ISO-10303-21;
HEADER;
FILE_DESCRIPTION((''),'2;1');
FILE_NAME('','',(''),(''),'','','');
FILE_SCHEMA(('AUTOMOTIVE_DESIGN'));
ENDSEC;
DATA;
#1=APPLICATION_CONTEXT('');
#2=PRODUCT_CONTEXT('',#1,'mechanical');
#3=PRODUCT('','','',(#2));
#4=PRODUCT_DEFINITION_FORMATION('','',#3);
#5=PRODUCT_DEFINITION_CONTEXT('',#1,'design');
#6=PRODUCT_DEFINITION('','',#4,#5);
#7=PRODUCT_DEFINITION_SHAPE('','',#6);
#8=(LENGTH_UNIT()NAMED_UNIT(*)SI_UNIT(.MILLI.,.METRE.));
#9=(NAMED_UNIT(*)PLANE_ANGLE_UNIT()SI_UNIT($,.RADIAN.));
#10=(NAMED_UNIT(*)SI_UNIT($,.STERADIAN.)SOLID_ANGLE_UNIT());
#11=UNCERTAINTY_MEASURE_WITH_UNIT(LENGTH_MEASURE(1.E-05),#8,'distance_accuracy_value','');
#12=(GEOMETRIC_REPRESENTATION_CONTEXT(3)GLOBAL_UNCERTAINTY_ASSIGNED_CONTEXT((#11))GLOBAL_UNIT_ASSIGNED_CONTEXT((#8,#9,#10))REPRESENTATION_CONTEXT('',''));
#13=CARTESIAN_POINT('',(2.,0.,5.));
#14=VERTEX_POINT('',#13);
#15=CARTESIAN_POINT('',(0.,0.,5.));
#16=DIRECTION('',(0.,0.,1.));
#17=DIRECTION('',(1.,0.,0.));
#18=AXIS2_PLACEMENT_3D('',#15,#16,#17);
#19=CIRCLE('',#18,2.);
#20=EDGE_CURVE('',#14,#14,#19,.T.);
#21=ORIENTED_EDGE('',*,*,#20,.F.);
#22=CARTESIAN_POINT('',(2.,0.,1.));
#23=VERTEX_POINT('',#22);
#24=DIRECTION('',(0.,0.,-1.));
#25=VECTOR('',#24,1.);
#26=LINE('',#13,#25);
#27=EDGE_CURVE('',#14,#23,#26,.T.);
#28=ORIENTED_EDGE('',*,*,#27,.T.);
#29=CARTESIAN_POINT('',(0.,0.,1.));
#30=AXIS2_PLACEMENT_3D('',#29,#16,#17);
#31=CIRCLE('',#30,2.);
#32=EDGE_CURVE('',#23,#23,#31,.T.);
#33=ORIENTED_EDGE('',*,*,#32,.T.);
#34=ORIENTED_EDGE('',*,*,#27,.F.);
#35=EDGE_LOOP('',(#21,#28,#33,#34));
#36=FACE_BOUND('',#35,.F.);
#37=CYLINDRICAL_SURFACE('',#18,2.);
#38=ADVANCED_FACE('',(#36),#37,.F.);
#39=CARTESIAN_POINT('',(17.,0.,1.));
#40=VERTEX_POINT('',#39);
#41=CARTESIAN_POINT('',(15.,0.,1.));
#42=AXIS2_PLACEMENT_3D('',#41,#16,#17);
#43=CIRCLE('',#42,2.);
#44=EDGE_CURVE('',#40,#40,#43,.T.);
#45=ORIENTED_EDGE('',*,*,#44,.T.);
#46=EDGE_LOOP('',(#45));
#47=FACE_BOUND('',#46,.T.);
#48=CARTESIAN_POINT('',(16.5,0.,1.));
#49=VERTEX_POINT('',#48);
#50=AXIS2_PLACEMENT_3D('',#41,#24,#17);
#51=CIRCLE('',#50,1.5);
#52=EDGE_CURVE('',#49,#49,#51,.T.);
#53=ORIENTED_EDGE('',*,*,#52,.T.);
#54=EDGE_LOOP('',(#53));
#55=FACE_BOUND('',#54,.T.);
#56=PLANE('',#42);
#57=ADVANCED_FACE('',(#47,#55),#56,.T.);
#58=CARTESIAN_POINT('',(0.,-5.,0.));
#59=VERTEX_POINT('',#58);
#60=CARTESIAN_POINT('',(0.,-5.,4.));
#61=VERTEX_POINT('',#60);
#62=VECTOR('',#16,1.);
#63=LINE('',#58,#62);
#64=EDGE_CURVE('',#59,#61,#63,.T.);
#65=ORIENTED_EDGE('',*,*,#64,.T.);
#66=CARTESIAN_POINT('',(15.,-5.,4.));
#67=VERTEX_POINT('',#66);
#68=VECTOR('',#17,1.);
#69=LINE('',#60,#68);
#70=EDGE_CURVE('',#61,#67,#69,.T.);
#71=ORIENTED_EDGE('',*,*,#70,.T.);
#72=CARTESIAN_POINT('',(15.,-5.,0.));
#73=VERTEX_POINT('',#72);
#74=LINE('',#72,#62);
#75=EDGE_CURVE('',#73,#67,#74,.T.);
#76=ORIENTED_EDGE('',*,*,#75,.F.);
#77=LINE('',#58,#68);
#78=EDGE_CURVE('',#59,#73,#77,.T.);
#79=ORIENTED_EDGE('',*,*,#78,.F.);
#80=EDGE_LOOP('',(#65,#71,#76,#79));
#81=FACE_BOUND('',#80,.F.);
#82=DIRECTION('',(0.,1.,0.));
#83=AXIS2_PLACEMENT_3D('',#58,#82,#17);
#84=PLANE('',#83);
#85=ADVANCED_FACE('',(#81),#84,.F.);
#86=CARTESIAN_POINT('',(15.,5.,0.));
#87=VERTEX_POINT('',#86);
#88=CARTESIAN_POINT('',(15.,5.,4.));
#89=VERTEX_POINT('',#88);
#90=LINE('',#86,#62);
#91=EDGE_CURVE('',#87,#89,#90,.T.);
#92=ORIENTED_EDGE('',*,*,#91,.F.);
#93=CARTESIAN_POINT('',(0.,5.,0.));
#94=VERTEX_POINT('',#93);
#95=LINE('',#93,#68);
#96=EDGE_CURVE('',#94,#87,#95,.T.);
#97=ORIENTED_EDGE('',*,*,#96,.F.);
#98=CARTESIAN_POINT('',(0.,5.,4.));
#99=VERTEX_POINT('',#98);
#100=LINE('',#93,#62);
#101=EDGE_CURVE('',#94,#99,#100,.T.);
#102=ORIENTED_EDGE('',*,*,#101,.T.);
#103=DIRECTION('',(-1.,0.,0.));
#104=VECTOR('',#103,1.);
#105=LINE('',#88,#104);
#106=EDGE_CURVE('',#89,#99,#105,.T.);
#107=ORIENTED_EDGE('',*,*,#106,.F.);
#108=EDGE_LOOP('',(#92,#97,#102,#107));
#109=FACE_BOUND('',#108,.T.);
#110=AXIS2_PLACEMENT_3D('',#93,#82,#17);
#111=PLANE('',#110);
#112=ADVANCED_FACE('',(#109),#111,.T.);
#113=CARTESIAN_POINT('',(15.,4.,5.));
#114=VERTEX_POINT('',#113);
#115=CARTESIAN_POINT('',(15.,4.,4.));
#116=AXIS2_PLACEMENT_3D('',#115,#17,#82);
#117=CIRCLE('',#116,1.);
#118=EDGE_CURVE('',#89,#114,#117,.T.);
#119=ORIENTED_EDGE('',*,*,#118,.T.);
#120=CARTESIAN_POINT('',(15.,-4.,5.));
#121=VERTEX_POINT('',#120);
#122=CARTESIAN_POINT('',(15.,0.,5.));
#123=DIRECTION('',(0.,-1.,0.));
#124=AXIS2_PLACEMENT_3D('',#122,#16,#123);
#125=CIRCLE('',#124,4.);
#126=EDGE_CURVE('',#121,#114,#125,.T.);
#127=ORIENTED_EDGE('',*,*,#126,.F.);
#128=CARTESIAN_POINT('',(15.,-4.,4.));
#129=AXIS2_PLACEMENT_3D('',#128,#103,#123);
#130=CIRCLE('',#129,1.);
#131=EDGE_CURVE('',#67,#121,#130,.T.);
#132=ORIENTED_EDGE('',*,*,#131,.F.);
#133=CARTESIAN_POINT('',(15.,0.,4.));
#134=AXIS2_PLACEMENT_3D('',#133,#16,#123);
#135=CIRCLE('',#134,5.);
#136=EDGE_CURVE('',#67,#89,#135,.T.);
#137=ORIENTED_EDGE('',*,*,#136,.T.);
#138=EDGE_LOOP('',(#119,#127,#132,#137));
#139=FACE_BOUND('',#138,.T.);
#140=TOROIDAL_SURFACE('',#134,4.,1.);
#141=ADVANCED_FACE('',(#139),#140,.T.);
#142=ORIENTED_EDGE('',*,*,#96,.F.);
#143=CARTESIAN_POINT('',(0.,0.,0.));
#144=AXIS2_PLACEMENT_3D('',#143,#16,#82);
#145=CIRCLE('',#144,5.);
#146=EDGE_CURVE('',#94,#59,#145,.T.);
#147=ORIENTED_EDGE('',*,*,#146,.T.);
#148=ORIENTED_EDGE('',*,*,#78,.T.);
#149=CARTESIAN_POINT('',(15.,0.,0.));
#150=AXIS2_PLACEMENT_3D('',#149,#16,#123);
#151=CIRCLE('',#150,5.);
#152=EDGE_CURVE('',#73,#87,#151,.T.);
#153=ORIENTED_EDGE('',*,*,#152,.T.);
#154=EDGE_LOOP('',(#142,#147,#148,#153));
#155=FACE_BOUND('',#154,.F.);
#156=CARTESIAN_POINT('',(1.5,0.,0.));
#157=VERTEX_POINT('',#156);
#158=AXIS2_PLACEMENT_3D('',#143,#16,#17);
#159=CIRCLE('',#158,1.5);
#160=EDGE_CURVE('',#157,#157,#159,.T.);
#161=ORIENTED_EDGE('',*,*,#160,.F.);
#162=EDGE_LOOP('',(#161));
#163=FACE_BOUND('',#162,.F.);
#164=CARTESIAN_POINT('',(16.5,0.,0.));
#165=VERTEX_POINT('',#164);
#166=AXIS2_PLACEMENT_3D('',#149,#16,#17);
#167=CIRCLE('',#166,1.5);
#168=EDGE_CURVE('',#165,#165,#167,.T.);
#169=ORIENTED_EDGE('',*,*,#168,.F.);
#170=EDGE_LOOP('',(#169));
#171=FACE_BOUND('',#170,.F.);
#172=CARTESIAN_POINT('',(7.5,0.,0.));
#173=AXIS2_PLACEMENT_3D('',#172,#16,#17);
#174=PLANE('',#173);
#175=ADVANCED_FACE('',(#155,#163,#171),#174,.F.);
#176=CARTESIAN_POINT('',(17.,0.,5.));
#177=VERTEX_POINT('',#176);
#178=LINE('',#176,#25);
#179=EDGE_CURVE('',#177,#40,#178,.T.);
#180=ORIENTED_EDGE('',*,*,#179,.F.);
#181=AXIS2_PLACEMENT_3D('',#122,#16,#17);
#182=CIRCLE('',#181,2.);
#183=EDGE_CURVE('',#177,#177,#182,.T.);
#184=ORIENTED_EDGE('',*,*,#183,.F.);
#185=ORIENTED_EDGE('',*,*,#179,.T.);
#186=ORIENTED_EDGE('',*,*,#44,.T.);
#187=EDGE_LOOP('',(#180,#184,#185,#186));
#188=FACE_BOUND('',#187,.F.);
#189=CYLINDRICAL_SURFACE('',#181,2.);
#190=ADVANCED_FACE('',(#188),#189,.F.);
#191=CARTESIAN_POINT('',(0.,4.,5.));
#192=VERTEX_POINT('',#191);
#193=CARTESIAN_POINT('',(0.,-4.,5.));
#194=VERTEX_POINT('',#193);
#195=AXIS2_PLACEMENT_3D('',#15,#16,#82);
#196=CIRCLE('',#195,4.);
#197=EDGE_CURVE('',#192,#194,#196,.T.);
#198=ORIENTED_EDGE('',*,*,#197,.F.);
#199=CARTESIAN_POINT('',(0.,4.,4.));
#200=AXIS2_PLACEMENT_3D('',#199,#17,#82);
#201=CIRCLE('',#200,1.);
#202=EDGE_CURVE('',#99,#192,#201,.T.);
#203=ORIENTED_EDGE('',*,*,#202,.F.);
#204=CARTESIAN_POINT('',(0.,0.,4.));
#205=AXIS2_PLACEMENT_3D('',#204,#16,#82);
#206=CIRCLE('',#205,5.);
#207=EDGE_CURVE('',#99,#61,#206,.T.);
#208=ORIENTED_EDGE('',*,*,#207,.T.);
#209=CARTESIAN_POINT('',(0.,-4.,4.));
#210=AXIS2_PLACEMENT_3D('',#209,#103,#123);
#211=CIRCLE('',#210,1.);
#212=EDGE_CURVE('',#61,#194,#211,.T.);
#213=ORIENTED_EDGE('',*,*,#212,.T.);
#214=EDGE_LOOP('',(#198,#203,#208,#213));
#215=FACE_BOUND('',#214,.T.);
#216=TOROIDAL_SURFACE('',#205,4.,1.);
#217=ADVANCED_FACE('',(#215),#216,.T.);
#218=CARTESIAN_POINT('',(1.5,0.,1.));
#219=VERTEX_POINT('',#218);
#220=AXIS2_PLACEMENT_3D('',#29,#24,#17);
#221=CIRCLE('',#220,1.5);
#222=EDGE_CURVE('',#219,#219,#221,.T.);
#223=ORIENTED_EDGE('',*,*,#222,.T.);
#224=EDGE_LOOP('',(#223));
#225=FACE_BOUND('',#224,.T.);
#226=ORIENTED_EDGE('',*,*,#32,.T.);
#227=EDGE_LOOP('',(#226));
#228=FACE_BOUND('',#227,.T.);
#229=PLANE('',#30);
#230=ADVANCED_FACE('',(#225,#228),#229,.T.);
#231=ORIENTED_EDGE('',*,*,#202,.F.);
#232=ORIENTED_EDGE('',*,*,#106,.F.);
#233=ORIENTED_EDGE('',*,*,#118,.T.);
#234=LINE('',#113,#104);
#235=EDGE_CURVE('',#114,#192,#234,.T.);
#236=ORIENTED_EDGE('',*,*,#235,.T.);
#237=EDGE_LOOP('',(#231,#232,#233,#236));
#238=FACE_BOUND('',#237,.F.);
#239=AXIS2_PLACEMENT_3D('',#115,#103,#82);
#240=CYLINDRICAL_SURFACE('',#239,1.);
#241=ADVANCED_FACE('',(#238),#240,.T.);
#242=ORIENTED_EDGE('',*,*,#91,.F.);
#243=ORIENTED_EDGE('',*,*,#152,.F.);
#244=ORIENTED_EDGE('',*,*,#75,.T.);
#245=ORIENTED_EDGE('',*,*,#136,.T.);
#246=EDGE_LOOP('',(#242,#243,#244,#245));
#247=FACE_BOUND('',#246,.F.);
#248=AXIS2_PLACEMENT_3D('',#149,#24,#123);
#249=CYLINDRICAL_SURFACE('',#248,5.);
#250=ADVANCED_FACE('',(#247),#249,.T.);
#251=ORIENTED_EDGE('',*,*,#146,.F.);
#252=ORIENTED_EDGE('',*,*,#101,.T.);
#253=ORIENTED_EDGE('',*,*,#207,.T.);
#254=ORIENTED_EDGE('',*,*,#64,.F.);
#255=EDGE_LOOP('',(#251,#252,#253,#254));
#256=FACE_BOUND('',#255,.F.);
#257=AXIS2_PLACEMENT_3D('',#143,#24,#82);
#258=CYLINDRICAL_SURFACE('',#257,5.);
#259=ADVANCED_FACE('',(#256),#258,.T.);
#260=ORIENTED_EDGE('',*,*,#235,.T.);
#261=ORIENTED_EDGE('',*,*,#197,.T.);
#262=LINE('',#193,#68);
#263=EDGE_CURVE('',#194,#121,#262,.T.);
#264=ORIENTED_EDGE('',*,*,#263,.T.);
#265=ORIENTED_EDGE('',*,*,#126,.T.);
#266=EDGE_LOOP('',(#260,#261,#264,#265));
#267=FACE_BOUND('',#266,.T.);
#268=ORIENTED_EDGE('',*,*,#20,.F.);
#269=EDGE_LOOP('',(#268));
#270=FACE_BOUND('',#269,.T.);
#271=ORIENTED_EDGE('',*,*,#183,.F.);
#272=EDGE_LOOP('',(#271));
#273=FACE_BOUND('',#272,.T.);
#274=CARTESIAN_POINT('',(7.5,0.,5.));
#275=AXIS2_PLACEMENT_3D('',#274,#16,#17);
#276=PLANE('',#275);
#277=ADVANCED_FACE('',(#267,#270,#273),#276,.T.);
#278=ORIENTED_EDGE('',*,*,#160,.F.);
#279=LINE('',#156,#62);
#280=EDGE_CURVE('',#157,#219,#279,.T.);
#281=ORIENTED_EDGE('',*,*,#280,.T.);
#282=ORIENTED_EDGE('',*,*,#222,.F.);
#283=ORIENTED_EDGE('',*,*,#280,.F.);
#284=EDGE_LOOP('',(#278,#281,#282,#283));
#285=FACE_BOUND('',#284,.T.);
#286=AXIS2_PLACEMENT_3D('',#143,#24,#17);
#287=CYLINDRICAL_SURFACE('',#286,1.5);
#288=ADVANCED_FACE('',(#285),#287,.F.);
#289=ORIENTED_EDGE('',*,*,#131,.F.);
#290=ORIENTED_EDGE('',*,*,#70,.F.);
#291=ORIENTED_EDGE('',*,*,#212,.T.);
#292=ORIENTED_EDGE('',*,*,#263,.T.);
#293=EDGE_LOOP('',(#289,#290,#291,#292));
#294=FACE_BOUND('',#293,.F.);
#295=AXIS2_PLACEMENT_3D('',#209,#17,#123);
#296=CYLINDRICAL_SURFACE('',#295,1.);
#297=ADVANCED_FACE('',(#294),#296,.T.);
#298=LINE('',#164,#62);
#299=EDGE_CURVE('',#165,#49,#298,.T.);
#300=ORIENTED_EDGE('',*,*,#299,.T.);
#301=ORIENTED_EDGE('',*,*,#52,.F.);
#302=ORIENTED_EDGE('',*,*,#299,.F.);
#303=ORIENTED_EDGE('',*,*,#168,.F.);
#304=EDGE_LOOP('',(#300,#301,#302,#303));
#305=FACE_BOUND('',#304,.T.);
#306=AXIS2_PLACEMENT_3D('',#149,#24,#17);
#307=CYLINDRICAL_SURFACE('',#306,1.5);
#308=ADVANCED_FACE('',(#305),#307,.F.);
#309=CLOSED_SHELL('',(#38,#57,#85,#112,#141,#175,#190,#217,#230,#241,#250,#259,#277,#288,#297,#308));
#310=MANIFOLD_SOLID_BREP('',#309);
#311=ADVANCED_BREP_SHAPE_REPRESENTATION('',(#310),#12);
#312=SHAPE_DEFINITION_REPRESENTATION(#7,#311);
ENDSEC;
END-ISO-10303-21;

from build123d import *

# Parameters (mm, degrees)
SKETCH_R     = 1.5
PAD_DEPTH    = 5
SKETCH001_R  = 2
POCKET_DEPTH = 4
FILLET_R     = 1


with BuildPart() as part:
    # Sketch → Pad (new body)
    with BuildSketch(Plane.XY):
        with BuildLine():
            ThreePointArc((0, 5), (-5, 0), (0, -5))
            Line((0, -5), (15, -5))
            ThreePointArc((15, -5), (20, 0), (15, 5))
            Line((0, 5), (15, 5))
        make_face()
        Circle(SKETCH_R, mode=Mode.SUBTRACT)
        with Locations((15, 0)):
            Circle(SKETCH_R, mode=Mode.SUBTRACT)
    extrude(amount=PAD_DEPTH)

    # Sketch001 (on Face8 of Pad) → Pocket (cut)
    with BuildSketch(Plane.XY.offset(5)):
        Circle(SKETCH001_R)
        with Locations((15, 0)):
            Circle(SKETCH001_R)
    extrude(amount=-POCKET_DEPTH, mode=Mode.SUBTRACT)

    # Fillet
    fillet_edges = [part.edges().sort_by_distance(p)[0] for p in [
        (7.5, -5, 5),
    ]]
    fillet(fillet_edges, radius=FILLET_R)


solid = part.part
